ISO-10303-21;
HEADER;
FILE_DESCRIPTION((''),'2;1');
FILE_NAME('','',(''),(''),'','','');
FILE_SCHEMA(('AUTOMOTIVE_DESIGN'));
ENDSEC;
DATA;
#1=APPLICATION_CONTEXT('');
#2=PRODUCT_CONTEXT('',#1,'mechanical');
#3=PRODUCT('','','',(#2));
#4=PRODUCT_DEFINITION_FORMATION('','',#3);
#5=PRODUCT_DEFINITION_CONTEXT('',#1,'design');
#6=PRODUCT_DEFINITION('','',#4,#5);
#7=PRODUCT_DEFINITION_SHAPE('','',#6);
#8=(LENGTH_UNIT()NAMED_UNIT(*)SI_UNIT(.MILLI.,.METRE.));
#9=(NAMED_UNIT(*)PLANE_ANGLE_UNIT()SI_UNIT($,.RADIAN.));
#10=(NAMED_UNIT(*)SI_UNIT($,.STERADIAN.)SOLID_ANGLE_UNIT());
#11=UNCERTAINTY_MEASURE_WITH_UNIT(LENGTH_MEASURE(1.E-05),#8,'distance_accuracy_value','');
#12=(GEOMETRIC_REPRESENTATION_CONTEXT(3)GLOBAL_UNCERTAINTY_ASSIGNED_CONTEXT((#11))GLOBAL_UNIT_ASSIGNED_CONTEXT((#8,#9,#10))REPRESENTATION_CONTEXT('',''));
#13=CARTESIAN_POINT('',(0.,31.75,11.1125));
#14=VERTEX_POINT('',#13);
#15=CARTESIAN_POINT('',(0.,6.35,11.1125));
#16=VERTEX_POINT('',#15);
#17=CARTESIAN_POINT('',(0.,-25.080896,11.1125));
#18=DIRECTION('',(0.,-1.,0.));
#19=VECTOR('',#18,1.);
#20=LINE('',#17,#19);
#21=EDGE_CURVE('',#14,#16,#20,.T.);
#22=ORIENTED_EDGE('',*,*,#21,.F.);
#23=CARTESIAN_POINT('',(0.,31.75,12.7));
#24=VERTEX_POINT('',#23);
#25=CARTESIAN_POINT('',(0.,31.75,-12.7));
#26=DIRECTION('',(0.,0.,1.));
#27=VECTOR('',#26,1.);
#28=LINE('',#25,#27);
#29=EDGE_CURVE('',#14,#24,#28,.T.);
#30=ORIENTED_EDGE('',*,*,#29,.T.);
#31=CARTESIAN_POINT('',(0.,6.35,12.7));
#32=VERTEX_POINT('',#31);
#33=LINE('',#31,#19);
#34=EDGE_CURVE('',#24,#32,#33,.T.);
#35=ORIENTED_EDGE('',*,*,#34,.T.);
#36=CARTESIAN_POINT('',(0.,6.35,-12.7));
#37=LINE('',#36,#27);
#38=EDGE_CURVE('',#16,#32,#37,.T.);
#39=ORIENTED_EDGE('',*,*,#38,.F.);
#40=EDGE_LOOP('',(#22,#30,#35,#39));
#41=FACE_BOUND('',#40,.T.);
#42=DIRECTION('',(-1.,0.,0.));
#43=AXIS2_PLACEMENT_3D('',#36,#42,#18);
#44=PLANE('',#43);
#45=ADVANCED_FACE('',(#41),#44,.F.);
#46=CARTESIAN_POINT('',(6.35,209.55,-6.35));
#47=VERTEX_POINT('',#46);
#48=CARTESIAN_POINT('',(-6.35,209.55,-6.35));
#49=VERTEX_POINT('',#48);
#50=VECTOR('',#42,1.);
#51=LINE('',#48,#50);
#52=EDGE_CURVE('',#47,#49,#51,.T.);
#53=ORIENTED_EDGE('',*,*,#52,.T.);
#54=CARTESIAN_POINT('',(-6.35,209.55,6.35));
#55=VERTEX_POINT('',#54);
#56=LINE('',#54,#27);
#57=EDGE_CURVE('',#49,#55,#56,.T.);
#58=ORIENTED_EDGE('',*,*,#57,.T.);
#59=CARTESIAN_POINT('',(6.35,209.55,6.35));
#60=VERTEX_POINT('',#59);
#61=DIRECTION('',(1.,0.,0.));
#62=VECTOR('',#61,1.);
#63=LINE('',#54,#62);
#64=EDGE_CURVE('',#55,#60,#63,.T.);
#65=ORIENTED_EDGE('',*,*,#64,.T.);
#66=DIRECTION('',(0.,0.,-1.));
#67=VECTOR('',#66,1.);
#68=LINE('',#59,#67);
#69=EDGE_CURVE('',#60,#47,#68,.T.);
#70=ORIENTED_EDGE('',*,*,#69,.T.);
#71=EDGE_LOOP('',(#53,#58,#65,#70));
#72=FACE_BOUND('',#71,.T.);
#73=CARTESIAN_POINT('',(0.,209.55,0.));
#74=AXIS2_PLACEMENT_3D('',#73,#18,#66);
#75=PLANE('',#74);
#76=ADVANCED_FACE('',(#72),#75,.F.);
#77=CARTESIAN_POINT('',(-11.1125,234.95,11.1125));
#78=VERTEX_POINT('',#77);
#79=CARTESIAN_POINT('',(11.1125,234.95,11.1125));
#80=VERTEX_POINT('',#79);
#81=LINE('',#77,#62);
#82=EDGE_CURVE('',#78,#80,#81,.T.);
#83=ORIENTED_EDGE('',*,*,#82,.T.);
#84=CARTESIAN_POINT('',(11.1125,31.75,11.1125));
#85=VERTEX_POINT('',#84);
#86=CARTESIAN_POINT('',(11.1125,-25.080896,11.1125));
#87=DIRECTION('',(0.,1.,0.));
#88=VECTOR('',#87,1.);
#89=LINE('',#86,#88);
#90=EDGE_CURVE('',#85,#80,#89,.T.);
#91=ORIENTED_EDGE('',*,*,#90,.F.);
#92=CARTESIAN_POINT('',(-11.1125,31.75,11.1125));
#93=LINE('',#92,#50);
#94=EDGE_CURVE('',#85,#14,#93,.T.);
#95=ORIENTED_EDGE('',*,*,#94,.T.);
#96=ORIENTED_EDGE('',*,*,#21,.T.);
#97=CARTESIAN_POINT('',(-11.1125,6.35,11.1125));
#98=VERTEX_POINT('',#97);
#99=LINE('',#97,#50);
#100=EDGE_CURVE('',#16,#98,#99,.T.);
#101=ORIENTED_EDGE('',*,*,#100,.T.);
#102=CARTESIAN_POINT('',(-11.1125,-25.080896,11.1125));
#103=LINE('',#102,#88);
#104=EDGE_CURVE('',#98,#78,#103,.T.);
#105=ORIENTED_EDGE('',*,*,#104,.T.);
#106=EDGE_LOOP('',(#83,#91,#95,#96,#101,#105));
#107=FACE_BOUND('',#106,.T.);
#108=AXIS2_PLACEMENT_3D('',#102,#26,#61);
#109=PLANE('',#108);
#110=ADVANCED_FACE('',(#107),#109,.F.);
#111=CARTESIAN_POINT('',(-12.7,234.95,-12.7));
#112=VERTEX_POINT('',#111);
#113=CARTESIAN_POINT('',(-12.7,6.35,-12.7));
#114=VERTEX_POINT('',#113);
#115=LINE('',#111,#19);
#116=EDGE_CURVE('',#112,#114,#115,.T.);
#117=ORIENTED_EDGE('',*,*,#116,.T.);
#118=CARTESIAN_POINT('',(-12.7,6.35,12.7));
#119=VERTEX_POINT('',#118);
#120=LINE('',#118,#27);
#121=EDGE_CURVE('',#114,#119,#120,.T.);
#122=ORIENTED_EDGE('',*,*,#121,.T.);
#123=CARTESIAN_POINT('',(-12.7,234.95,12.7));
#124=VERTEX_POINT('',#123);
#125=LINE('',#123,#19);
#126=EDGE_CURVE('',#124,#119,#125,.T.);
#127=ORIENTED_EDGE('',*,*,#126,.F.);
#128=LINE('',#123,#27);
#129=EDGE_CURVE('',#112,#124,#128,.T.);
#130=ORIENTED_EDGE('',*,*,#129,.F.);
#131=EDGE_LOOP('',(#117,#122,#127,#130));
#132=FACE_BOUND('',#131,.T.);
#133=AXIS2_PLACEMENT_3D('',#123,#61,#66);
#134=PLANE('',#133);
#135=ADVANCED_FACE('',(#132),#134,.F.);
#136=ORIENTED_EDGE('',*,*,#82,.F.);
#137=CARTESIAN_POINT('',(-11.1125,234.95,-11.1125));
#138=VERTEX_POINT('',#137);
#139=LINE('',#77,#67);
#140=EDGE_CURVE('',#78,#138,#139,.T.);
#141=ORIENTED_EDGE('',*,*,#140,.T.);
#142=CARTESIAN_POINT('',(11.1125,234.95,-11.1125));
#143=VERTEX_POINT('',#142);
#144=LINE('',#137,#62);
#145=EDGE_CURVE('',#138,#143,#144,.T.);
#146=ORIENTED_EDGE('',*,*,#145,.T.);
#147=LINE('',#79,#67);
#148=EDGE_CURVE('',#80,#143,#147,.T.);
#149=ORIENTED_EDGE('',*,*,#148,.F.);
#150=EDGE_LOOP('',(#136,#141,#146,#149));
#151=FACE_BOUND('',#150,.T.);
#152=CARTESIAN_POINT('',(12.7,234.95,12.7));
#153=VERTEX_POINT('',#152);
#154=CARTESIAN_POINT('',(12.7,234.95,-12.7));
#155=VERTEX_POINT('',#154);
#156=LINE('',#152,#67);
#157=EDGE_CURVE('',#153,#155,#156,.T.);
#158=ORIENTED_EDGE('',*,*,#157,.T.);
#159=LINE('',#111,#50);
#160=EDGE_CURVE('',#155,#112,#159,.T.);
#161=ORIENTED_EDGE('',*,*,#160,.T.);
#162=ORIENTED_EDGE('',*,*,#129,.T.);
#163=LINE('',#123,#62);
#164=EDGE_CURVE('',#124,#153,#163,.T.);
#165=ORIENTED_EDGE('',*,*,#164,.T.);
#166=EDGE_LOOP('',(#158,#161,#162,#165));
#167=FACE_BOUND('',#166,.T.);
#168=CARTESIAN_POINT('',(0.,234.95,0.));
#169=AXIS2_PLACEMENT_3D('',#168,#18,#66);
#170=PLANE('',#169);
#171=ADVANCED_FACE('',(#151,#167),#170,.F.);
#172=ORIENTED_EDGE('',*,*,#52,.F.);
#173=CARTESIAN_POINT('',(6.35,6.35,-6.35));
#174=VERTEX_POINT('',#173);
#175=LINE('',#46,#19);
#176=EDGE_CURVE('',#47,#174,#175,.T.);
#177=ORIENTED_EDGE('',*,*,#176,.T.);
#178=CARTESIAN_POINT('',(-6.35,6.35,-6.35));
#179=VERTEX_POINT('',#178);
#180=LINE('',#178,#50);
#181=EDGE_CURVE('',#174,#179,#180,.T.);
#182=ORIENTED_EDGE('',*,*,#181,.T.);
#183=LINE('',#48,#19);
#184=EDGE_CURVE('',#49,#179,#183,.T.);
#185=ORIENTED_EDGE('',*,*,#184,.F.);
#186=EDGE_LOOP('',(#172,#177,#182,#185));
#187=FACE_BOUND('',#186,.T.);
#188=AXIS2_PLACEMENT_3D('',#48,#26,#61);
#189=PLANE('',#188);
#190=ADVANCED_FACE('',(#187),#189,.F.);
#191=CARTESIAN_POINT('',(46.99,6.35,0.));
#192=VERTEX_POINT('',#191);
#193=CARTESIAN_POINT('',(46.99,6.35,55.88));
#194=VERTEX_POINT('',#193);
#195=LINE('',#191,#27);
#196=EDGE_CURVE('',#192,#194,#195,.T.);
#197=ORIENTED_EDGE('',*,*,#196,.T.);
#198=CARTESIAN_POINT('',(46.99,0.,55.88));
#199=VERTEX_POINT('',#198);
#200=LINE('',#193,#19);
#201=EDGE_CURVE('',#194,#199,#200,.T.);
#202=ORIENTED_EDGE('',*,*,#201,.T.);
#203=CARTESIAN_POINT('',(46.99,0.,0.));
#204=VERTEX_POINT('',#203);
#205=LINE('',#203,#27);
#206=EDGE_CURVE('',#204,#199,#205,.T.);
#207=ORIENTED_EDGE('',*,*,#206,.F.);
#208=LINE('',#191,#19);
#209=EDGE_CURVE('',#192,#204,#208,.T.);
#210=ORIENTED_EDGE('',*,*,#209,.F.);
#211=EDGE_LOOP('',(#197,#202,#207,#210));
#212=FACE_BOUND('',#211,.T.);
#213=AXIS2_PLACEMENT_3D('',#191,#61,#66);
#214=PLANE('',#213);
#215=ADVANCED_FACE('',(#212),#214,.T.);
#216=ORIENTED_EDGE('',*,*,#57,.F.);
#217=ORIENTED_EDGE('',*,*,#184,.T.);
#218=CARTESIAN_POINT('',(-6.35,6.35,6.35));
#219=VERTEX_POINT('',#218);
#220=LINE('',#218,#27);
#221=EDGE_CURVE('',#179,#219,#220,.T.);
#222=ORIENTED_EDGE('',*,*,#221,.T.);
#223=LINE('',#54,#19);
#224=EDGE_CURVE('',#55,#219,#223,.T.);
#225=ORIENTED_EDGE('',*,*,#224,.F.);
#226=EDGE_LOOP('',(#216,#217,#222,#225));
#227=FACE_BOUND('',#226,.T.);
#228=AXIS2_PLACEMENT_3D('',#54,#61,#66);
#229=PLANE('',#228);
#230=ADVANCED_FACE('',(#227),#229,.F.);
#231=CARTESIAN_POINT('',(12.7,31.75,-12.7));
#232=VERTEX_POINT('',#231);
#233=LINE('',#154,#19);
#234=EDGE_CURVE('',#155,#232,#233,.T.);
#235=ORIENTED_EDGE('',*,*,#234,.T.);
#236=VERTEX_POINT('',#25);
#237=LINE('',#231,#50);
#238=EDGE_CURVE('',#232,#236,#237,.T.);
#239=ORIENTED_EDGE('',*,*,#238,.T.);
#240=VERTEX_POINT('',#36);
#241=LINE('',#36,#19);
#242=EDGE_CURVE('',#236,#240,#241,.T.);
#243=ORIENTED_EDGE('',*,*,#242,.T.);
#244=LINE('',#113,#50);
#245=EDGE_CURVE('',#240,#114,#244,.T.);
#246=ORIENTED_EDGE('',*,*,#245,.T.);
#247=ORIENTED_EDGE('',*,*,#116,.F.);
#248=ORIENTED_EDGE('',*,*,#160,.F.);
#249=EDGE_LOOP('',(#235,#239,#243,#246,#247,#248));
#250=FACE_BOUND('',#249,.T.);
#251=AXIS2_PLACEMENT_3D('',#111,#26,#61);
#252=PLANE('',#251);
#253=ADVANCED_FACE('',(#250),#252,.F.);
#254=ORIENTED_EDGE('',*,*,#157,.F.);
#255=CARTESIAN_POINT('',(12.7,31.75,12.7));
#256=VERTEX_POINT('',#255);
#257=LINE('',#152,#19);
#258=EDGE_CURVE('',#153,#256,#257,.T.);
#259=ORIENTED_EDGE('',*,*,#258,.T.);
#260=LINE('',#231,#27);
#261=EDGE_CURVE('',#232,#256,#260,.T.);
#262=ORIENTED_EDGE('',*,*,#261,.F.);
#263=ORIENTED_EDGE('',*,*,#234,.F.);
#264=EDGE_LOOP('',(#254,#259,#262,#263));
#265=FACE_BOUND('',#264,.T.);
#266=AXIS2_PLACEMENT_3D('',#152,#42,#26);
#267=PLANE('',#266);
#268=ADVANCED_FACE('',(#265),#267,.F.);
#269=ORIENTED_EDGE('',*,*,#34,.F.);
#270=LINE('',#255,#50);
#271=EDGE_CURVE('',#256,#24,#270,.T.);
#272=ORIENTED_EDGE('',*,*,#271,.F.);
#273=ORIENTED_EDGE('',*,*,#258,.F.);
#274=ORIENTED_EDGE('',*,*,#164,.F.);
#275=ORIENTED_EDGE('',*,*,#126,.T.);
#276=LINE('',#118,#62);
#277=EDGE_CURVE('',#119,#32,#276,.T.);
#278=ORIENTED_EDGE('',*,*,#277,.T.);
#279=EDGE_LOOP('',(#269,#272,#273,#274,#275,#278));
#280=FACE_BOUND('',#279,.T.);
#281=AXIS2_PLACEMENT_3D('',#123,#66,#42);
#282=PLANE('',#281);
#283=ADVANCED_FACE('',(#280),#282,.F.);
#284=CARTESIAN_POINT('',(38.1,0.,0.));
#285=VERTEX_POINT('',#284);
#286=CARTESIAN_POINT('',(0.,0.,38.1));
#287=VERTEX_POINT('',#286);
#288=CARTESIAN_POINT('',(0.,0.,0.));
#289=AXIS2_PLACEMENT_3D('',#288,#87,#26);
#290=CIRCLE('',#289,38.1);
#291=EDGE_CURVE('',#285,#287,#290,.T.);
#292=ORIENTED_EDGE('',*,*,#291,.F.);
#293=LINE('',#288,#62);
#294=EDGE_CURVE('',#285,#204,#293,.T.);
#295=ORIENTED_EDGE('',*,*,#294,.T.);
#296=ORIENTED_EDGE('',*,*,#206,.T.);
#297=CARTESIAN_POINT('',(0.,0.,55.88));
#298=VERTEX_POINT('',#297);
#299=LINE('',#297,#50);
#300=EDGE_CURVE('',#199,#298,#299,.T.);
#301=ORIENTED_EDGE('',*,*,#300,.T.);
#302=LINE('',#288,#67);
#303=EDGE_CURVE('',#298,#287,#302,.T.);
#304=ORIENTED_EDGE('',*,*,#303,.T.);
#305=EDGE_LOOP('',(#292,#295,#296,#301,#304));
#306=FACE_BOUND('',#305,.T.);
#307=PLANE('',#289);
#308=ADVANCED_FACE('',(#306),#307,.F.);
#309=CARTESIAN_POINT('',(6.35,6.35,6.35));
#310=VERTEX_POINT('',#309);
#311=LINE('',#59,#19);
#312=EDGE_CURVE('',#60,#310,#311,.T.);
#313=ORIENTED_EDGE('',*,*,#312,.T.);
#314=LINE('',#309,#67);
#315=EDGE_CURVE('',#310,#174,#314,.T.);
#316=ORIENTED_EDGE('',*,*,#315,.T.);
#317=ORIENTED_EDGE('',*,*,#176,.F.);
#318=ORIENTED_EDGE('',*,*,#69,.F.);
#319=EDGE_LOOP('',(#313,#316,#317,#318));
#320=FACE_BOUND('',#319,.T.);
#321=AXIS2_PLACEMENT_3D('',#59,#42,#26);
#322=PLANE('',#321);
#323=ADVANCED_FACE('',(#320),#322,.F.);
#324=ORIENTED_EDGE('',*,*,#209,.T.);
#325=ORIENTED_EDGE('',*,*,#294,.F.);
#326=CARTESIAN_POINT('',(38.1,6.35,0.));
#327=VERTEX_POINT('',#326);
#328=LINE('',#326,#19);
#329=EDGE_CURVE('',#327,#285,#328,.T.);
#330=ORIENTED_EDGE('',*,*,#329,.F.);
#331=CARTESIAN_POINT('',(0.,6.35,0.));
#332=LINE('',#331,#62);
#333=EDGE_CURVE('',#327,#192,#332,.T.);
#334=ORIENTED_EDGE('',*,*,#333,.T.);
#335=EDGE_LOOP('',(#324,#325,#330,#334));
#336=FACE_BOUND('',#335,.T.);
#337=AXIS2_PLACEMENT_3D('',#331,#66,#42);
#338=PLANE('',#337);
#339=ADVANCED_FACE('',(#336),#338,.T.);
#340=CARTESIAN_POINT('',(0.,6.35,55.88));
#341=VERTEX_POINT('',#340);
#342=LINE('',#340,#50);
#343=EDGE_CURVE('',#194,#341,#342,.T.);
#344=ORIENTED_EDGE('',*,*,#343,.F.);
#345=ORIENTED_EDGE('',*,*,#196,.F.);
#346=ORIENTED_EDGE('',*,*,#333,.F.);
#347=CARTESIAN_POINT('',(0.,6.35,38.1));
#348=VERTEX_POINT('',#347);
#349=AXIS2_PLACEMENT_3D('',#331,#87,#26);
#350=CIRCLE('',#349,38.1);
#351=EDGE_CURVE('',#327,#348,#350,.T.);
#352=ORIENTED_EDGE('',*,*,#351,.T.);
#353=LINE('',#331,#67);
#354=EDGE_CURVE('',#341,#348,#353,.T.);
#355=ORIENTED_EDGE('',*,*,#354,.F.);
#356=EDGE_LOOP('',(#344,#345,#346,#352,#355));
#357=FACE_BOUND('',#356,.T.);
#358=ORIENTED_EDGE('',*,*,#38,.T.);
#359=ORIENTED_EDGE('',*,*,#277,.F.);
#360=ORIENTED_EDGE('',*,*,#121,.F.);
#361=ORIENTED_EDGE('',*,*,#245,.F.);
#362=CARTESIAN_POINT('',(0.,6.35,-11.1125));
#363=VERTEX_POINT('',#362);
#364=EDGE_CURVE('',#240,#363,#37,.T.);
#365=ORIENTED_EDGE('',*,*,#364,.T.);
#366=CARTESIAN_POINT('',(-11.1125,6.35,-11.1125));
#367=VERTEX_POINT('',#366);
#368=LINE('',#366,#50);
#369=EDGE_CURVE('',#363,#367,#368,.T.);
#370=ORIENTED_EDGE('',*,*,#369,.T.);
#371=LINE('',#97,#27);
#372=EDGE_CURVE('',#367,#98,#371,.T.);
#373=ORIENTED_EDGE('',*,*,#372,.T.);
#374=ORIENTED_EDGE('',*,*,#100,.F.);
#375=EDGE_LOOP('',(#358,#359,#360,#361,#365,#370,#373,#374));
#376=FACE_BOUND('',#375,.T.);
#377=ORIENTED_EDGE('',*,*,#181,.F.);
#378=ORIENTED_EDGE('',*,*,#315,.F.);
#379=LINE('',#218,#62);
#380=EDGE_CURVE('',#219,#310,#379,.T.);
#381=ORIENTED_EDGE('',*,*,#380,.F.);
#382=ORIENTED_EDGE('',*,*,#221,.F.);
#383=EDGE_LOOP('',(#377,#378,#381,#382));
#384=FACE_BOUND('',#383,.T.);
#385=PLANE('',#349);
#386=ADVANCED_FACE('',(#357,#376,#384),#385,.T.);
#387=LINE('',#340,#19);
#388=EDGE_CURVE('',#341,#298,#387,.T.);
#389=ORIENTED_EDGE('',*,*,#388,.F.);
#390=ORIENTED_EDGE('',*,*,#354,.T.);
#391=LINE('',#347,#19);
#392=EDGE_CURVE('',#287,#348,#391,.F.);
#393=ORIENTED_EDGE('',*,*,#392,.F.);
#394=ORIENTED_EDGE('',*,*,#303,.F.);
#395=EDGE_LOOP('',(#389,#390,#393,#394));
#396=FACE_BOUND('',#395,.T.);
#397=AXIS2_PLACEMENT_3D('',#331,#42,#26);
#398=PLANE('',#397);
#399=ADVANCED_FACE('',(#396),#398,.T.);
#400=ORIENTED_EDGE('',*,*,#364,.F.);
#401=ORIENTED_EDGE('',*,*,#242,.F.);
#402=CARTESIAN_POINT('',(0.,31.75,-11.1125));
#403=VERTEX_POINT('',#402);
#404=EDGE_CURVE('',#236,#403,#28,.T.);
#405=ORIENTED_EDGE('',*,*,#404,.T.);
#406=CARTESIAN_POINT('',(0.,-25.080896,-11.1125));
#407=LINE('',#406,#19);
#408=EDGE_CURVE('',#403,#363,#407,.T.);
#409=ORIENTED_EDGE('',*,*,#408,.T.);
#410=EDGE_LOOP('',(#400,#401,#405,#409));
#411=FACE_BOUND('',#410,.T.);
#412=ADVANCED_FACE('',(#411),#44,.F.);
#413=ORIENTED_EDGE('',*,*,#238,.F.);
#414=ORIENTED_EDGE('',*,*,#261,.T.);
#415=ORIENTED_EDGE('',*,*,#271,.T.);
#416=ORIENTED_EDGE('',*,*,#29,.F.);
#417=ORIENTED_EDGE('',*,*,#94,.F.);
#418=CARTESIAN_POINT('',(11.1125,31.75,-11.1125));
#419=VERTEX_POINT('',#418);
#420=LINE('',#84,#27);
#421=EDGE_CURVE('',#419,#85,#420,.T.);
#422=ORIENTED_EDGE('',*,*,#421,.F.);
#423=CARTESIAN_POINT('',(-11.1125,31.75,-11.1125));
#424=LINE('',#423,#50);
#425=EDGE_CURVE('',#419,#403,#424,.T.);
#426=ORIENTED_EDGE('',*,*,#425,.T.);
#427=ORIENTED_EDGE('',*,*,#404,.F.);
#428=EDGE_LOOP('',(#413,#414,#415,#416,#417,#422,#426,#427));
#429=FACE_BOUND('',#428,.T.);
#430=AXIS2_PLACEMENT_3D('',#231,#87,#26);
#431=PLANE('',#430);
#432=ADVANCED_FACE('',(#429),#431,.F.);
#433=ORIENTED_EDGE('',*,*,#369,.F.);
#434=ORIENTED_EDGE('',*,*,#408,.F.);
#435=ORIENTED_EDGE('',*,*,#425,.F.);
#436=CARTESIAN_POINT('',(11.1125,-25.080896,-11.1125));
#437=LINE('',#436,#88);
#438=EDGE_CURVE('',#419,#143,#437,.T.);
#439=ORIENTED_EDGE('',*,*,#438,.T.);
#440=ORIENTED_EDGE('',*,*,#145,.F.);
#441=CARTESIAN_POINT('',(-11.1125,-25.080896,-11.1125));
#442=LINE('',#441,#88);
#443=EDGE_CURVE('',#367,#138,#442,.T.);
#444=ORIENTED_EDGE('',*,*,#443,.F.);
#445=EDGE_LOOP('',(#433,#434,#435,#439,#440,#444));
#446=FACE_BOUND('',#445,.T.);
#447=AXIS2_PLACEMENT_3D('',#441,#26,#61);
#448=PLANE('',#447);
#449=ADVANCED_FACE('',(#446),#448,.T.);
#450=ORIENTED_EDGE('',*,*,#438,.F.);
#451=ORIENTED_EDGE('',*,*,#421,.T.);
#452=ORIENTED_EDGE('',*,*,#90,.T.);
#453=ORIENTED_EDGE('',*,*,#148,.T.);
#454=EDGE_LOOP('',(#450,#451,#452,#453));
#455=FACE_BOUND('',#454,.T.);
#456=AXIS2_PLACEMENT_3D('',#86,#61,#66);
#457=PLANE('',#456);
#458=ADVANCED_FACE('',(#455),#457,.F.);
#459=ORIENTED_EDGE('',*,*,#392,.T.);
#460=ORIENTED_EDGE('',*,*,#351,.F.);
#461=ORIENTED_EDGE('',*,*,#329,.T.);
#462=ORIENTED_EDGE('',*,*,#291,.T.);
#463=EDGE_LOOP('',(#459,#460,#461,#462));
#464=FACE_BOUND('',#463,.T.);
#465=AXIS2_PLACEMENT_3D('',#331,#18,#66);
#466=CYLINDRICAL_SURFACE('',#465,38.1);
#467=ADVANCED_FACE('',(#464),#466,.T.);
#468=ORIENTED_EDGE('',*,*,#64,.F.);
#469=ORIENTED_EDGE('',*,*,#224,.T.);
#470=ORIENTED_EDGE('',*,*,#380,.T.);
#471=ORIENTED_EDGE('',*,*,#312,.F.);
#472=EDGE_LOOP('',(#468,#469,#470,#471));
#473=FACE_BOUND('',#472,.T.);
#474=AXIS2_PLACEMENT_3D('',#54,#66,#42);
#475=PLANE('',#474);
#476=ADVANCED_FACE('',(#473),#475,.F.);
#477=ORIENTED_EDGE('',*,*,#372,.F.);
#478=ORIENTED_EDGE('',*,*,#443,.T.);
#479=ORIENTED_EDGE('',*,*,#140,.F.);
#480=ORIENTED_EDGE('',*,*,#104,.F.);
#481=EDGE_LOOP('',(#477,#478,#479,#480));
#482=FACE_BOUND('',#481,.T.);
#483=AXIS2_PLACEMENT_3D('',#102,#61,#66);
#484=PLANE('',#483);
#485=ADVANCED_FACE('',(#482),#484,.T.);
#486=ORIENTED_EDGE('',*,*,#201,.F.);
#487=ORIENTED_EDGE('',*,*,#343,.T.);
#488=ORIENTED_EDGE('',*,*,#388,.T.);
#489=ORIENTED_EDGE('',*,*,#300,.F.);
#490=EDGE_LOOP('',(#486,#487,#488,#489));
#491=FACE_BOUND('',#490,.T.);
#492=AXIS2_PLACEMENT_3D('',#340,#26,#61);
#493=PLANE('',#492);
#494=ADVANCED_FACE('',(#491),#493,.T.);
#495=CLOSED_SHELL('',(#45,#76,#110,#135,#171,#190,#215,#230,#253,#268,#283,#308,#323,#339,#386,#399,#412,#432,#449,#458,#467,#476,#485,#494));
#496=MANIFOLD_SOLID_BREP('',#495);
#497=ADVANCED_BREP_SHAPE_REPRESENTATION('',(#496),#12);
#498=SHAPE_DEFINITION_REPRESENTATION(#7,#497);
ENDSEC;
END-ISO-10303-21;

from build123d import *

# Parameters (mm, degrees)
SKETCH1_R           = 38.1
BOSS_EXTRUDE1_DEPTH = 6.35
SKETCH4_W           = 25.4
SKETCH4_H           = 25.4
BOSS_EXTRUDE2_DEPTH = 228.6
SKETCH5_W           = 22.225
SKETCH5_H           = 22.225
CUT_EXTRUDE1_DEPTH  = 228.6
SKETCH8_W           = 12.7
SKETCH8_H           = 25.4
CUT_EXTRUDE2_DEPTH  = 25.4
SKETCH7_W           = 12.7
SKETCH7_H           = 12.7
BOSS_EXTRUDE4_DEPTH = 203.2
SKETCH9_W           = 46.99
SKETCH9_H           = 55.88
BOSS_EXTRUDE5_DEPTH = 6.35


with BuildPart() as part:
    # Sketch1 → Boss-Extrude1 (new body)
    with BuildSketch(Plane(origin=(0, 0, 0), x_dir=(1, 0, 0), z_dir=(0, 1, 0))):
        Circle(SKETCH1_R)
    extrude(amount=BOSS_EXTRUDE1_DEPTH)

    # Sketch4 → Boss-Extrude2 (add)
    with BuildSketch(Plane(origin=(0, 6.35, 0), x_dir=(1, 0, 0), z_dir=(0, 1, 0))):
        Rectangle(SKETCH4_W, SKETCH4_H)
    extrude(amount=BOSS_EXTRUDE2_DEPTH)

    # Sketch5 → Cut-Extrude1 (cut)
    with BuildSketch(Plane(origin=(0, 234.95, 0), x_dir=(1, 0, 0), z_dir=(0, 1, 0))):
        Rectangle(SKETCH5_W, SKETCH5_H)
    extrude(amount=-CUT_EXTRUDE1_DEPTH, mode=Mode.SUBTRACT)

    # Sketch8 → Cut-Extrude2 (cut)
    with BuildSketch(Plane.XY.offset(12.7)):
        with Locations((6.35, 19.05)):
            Rectangle(SKETCH8_W, SKETCH8_H)
    extrude(amount=-CUT_EXTRUDE2_DEPTH, mode=Mode.SUBTRACT)

    # Sketch7 → Boss-Extrude4 (add)
    with BuildSketch(Plane(origin=(0, 6.35, 0), x_dir=(1, 0, 0), z_dir=(0, 1, 0))):
        Rectangle(SKETCH7_W, SKETCH7_H)
    extrude(amount=BOSS_EXTRUDE4_DEPTH)

    # Sketch9 → Boss-Extrude5 (add)
    with BuildSketch(Plane.XZ):
        with Locations((23.495, 27.94)):
            Rectangle(SKETCH9_W, SKETCH9_H)
    extrude(amount=-BOSS_EXTRUDE5_DEPTH)


solid = part.part
